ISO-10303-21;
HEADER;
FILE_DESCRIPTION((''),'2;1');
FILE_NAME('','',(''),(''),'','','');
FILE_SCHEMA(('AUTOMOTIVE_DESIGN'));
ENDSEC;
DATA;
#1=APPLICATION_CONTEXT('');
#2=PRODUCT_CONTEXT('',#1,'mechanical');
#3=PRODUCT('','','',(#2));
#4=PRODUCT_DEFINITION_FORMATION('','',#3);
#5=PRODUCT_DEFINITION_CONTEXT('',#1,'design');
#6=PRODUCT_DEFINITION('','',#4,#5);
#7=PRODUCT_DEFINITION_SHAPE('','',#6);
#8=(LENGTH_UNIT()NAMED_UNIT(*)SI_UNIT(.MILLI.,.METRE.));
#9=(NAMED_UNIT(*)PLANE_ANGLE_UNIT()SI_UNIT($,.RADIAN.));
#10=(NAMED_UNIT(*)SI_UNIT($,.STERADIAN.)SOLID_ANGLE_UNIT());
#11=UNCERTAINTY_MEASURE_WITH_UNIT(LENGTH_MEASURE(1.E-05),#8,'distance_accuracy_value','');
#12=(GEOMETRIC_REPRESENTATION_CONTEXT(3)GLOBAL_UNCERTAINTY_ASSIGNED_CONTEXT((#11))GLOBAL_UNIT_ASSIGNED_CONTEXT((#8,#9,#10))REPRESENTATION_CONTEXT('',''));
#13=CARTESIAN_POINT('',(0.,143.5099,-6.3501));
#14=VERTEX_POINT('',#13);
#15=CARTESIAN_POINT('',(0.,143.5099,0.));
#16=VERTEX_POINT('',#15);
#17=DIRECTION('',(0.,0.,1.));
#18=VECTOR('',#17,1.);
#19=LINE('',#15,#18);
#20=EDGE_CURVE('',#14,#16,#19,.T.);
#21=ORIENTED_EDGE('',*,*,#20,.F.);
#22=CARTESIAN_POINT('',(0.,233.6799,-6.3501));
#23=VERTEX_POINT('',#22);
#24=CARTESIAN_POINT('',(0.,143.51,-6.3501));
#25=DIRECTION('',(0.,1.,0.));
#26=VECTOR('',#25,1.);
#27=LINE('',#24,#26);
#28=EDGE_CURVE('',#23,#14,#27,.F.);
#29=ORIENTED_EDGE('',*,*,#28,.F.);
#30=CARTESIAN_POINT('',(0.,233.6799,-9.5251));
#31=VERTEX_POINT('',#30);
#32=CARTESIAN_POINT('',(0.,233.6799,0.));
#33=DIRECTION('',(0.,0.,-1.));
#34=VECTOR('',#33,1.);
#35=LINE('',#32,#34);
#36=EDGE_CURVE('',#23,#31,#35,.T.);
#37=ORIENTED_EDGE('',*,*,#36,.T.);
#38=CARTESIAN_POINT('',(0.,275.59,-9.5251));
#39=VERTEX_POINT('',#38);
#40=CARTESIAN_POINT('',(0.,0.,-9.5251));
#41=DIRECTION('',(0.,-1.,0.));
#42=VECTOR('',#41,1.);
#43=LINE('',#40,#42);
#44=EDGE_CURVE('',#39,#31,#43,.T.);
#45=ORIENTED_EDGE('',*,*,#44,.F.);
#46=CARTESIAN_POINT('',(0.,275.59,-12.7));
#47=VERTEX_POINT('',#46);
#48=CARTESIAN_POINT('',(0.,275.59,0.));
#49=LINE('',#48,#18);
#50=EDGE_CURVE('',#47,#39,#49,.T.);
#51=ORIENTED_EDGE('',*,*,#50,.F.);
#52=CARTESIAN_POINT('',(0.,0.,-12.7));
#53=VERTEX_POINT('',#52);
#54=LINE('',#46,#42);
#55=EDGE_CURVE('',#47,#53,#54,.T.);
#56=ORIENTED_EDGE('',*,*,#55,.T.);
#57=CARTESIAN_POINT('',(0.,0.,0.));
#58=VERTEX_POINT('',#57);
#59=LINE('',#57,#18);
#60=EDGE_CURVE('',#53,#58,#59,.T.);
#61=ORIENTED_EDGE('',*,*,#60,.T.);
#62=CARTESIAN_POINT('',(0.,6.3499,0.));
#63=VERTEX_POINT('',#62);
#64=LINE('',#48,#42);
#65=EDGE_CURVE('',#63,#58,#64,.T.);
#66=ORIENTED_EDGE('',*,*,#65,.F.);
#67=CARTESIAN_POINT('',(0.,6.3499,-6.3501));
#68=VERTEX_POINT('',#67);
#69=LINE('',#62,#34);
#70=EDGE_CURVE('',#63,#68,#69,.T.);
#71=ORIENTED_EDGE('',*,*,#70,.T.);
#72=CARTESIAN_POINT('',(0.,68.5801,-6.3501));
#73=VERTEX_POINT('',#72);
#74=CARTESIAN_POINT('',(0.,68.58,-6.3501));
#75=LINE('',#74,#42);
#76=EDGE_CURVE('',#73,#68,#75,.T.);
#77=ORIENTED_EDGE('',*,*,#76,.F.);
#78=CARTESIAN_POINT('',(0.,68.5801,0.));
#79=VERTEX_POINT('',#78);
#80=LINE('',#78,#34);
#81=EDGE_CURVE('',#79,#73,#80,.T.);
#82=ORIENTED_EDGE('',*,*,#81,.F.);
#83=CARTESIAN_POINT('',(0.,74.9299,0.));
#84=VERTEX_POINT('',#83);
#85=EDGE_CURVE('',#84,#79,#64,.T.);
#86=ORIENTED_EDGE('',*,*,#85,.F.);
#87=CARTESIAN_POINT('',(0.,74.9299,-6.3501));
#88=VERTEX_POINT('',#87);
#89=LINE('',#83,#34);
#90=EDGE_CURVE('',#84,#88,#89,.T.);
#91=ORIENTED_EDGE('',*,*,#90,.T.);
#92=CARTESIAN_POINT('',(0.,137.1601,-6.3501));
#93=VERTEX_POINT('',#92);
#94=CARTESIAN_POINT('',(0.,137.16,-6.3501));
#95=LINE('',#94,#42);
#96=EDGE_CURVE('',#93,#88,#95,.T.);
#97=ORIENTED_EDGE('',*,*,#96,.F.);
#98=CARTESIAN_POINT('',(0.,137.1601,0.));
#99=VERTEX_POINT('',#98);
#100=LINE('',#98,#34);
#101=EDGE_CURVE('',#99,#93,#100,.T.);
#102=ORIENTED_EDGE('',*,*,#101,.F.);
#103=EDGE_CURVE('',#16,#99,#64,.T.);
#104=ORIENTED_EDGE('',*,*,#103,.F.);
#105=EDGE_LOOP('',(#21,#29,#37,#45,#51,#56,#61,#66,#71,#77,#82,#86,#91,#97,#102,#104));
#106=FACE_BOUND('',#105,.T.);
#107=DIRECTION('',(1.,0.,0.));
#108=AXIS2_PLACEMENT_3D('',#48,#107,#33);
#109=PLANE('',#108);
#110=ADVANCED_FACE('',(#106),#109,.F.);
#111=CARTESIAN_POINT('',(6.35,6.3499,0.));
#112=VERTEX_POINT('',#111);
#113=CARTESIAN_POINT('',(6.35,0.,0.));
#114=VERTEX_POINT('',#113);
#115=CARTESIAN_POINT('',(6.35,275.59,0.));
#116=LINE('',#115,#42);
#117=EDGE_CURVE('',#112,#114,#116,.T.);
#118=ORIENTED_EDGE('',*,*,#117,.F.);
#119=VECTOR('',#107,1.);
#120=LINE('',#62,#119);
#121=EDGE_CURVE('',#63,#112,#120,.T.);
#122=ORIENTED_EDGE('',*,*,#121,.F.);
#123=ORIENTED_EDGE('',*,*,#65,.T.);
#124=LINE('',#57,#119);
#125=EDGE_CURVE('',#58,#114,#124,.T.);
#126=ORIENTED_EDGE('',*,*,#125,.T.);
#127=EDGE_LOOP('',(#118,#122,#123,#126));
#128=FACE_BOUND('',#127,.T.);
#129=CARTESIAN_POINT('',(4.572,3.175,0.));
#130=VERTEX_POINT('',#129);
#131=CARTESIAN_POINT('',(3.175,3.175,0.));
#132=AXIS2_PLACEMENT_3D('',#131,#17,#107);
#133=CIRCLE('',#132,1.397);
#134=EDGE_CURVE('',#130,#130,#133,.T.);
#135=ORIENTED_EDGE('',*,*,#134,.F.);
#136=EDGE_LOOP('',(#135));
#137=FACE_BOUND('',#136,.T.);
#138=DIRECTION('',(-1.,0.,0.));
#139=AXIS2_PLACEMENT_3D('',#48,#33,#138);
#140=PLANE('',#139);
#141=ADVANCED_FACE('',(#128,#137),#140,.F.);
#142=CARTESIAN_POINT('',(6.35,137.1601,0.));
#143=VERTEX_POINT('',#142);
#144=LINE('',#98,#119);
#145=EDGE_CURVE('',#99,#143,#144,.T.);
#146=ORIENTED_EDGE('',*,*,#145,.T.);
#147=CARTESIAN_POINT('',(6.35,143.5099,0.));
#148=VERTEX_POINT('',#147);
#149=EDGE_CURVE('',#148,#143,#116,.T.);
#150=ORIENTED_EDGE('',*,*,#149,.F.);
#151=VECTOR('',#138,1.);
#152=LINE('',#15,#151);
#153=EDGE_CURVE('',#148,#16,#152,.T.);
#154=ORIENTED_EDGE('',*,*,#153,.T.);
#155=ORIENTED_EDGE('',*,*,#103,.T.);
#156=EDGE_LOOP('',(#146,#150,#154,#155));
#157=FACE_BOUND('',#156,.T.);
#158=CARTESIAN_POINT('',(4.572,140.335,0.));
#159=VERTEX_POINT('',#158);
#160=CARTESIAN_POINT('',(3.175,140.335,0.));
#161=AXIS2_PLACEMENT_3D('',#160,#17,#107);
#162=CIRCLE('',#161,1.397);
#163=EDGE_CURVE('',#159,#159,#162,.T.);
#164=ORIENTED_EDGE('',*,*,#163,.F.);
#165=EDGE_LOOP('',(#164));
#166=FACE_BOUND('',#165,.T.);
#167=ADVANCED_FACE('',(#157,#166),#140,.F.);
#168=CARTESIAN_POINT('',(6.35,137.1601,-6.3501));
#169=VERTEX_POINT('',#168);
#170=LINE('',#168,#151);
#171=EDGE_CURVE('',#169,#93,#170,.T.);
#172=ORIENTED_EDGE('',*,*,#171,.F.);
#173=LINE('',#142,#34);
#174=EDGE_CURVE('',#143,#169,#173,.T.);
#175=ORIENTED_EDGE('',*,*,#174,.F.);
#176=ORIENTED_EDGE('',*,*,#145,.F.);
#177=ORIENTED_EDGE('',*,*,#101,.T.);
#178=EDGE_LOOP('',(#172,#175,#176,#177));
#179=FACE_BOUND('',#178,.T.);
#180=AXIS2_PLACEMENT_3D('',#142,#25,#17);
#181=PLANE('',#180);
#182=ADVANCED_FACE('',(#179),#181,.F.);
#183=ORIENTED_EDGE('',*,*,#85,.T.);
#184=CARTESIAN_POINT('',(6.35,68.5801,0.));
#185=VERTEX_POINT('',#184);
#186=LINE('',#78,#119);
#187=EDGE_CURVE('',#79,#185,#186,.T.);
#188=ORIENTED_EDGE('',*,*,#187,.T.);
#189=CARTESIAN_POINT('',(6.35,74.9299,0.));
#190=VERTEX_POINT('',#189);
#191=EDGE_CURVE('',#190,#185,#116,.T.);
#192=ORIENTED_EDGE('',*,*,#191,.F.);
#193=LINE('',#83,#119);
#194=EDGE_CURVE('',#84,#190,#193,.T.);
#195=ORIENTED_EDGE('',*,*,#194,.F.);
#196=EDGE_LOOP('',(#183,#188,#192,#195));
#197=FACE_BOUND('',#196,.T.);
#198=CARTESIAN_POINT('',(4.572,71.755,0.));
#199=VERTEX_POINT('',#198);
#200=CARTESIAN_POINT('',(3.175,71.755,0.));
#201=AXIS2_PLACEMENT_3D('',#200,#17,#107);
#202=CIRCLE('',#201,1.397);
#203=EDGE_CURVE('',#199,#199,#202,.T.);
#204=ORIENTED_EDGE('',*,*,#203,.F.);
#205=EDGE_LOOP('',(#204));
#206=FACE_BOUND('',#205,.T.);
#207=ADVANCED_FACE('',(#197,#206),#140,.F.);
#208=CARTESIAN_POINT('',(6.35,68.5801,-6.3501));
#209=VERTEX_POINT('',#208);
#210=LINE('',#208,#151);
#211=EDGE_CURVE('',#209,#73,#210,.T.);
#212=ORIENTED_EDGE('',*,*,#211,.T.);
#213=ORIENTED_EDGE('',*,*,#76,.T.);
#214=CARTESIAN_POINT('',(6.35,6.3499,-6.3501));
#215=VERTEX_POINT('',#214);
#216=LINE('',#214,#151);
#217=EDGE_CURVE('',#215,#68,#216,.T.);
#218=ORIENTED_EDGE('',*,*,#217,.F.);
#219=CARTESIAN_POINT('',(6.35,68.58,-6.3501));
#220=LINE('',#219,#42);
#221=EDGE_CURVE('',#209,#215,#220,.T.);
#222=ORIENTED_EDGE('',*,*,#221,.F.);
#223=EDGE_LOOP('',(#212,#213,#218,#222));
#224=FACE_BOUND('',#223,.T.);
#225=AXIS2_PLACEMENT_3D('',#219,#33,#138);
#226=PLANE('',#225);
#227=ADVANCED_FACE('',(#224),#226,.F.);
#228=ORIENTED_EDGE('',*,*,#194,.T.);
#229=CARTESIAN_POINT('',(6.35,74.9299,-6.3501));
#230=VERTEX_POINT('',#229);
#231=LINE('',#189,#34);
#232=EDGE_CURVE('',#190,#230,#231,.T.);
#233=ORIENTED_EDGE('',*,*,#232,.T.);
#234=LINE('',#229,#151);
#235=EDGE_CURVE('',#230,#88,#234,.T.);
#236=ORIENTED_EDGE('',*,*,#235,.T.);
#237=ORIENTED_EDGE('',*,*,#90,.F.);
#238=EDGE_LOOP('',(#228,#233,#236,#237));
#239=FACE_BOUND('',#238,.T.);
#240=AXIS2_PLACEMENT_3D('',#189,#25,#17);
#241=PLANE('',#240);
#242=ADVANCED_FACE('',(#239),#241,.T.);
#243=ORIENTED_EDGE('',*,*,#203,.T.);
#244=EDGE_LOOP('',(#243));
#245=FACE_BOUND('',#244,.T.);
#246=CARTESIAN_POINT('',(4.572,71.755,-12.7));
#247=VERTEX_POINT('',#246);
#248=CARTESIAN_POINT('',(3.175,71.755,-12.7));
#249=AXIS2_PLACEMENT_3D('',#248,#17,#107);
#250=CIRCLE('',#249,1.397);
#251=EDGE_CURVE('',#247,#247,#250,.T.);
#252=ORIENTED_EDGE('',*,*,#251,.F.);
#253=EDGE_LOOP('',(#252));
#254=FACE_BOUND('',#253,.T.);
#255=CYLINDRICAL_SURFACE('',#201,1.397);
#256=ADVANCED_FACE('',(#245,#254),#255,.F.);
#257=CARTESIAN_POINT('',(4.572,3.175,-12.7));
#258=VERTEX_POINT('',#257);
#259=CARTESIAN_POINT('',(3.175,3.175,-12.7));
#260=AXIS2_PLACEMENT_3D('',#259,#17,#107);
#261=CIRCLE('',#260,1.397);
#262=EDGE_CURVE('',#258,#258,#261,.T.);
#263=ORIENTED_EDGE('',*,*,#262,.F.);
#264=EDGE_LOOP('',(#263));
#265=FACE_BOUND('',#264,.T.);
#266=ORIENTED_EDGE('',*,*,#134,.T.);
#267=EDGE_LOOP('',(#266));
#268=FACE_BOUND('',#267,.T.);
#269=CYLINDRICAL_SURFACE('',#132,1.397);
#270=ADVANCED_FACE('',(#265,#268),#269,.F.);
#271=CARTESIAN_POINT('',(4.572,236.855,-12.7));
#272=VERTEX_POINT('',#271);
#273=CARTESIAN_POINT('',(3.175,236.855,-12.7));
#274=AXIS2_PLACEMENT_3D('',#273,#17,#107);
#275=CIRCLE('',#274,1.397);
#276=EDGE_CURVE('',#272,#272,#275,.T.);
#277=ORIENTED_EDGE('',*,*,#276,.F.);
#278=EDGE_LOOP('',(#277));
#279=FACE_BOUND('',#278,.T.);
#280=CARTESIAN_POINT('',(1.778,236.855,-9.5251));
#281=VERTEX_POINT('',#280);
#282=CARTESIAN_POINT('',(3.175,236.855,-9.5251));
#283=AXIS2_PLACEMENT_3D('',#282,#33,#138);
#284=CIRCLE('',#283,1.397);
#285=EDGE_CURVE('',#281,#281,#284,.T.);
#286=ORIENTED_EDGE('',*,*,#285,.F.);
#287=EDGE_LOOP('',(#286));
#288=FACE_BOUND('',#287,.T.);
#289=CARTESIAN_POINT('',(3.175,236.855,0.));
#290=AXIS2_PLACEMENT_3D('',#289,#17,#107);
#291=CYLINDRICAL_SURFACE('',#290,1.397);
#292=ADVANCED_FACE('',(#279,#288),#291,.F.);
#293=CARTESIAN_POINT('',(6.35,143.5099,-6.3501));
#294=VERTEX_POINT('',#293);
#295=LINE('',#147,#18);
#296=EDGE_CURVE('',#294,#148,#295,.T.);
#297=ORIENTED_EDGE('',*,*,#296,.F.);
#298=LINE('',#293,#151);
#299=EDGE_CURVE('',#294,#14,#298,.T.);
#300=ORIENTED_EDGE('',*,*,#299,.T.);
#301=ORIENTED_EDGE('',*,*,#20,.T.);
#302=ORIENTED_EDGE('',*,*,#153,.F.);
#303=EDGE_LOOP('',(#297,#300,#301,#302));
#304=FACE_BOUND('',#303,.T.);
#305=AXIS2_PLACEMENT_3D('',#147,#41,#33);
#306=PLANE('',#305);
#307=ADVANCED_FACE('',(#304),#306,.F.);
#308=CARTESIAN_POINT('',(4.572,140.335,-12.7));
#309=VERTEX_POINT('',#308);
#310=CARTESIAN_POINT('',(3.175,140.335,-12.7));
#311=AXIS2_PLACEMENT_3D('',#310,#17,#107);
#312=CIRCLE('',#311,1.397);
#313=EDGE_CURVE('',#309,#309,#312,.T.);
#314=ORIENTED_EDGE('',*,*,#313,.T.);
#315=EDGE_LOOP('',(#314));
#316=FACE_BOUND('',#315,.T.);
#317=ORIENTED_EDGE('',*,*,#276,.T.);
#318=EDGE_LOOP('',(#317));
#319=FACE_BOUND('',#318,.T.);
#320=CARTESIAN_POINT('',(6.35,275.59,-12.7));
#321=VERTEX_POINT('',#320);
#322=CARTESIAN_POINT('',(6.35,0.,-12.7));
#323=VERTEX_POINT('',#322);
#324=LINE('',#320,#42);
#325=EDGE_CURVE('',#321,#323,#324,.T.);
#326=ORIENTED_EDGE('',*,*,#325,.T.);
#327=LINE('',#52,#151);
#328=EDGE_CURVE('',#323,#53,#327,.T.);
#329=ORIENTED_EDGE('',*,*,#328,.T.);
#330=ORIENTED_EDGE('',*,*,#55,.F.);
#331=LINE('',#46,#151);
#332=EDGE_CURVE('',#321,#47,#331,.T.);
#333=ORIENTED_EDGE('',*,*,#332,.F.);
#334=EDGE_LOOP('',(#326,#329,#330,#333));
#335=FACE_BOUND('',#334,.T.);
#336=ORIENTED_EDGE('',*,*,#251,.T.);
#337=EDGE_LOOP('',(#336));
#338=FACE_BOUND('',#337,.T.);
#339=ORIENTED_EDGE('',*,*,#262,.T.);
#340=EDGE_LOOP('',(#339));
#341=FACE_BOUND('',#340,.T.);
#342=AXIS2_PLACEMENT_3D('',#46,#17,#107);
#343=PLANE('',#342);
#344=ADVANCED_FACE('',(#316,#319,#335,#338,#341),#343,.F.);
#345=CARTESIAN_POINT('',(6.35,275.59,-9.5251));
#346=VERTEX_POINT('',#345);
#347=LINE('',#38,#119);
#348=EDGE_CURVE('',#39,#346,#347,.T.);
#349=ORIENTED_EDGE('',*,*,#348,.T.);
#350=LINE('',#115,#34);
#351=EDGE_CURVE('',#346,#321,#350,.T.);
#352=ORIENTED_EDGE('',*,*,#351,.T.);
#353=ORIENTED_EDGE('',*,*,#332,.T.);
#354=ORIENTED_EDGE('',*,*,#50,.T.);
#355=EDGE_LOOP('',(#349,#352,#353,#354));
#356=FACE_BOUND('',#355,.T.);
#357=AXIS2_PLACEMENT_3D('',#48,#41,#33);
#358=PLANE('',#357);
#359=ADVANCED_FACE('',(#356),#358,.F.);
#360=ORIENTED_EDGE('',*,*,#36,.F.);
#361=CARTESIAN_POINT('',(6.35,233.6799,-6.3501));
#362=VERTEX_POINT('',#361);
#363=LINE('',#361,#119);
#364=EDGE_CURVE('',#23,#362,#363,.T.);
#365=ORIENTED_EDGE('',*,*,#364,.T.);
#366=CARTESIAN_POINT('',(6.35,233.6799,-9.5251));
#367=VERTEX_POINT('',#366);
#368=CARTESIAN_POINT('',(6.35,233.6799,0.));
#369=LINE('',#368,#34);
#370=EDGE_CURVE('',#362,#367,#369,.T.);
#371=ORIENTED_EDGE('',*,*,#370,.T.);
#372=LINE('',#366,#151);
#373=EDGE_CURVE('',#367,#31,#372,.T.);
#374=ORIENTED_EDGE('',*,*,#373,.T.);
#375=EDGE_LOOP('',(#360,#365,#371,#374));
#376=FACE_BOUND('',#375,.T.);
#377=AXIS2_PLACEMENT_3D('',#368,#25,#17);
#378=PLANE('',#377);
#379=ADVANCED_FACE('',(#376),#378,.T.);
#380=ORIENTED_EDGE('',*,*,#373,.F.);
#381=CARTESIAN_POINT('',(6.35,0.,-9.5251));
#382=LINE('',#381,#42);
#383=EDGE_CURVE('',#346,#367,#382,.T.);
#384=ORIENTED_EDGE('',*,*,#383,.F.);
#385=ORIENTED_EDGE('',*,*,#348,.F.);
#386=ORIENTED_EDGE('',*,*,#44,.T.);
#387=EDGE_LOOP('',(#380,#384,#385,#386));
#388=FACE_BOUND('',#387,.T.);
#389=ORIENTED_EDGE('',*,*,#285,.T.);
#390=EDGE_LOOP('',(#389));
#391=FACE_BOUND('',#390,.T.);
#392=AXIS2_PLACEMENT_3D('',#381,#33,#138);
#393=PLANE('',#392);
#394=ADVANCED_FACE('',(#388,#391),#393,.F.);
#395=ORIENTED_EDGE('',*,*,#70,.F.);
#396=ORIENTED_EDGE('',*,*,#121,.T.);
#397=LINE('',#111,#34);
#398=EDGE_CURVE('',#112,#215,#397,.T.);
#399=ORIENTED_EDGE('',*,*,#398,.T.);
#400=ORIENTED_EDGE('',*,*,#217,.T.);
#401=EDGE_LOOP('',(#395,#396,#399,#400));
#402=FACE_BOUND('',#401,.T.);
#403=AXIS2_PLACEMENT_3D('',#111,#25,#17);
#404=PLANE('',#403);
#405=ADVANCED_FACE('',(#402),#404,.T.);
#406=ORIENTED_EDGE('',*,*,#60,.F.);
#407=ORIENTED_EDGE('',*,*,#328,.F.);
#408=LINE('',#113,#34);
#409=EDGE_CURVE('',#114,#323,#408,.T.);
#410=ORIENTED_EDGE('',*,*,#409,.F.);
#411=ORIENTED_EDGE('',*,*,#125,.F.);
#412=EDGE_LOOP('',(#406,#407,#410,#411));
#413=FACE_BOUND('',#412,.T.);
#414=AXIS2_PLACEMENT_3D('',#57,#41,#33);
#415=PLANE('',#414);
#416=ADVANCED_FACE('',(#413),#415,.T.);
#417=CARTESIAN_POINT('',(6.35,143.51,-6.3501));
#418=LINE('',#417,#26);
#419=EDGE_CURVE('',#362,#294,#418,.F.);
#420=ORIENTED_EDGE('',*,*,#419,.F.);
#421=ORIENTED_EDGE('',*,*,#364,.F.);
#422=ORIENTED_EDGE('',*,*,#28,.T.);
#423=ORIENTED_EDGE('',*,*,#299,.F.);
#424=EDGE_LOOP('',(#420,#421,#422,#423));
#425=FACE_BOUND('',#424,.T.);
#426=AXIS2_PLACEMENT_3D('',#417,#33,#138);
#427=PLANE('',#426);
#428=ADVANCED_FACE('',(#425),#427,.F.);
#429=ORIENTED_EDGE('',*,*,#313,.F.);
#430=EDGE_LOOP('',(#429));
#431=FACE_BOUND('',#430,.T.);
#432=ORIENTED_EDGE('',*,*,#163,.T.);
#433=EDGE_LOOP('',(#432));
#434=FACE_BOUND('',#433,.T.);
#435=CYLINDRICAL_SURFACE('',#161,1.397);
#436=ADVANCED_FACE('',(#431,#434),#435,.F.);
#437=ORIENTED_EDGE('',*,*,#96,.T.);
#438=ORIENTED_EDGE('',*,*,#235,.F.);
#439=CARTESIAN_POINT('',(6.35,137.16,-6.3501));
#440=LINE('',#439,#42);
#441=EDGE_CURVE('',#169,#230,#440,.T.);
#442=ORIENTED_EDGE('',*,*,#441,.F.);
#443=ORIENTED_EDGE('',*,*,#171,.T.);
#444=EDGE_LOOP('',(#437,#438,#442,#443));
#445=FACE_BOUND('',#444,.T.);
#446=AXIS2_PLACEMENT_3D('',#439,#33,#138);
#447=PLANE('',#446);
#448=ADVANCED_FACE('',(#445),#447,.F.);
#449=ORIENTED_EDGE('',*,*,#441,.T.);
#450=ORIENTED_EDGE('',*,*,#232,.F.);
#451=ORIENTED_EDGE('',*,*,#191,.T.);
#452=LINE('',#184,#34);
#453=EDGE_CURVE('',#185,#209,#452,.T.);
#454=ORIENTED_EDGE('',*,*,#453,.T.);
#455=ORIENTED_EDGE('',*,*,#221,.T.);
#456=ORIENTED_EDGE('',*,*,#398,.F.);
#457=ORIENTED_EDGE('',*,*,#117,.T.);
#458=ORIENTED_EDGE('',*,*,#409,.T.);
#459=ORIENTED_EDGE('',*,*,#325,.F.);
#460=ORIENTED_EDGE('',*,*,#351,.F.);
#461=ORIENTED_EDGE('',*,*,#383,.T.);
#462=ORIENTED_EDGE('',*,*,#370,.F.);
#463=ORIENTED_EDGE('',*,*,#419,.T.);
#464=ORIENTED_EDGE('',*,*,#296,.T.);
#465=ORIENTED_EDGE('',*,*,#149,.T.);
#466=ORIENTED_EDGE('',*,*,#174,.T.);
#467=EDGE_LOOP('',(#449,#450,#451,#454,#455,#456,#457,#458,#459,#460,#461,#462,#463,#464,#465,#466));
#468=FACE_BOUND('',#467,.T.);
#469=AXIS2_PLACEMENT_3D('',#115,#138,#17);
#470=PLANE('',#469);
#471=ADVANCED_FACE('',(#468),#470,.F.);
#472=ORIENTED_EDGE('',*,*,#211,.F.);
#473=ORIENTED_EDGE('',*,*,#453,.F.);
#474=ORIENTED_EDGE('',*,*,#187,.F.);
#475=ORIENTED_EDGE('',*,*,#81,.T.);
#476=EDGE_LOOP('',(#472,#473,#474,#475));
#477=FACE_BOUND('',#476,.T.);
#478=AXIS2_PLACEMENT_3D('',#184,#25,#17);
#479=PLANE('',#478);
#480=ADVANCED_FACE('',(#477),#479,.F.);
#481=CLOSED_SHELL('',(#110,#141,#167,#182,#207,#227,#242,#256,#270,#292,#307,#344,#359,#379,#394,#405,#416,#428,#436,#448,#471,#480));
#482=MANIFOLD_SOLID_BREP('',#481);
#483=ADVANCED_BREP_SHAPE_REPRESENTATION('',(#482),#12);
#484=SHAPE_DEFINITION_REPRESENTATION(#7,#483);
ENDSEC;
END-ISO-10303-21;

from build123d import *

# Parameters (mm, degrees)
SKETCH1_W                  = 6.35
SKETCH1_H                  = 12.7
BOSS_EXTRUDE1_DEPTH        = 275.59
CUT_EXTRUDE_THIN1_DEPTH    = 276.955540984
F_35_0_11_DIAMETER_HOLE1_D = 2.794


with BuildPart() as part:
    # Sketch1 → Boss-Extrude1 (new body)
    with BuildSketch(Plane(origin=(0, 0, 0), x_dir=(1, 0, 0), z_dir=(0, 1, 0))):
        with Locations((3.175, 6.35)):
            Rectangle(SKETCH1_W, SKETCH1_H)
    extrude(amount=BOSS_EXTRUDE1_DEPTH)

    # Sketch2 → Cut-Extrude-Thin1 (cut, through all)
    with BuildSketch(Plane.ZY):
        Polygon((0, 233.68), (-9.525, 233.68), (-9.525, 275.59), (-9.52510033, 275.59), (-9.52510033, 233.67989967), (0, 233.67989967), align=None)
        Polygon((0, 143.51), (-6.35, 143.51), (-6.35, 233.68), (-6.35010033, 233.68), (-6.35010033, 143.50989967), (0, 143.50989967), align=None)
        Polygon((0, 137.16), (-6.35, 137.16), (-6.35, 74.93), (0, 74.93), (0, 74.93010033), (-6.34989967, 74.93010033), (-6.34989967, 137.15989967), (0, 137.15989967), align=None)
        Polygon((0, 68.58), (-6.35, 68.58), (-6.35, 6.35), (0, 6.35), (0, 6.35010033), (-6.34989967, 6.35010033), (-6.34989967, 68.57989967), (0, 68.57989967), align=None)
    extrude(amount=-CUT_EXTRUDE_THIN1_DEPTH, mode=Mode.SUBTRACT)


with BuildPart() as cut_extrude_thin1_kept_piece:
    # of the separate pieces the step leaves, the one the design keeps (cut_extrude_thin1_pieces_kept)
    add(part.part.solids().sort_by_distance((0, 0, 0))[0])

    # #35 (0.11) Diameter Hole1 (through all)
    with Locations(Plane.XY):
        with Locations((3.175, 236.855), (3.175, 140.335), (3.175, 71.755), (3.175, 3.175)):
            Hole(F_35_0_11_DIAMETER_HOLE1_D / 2)


solid = cut_extrude_thin1_kept_piece.part
